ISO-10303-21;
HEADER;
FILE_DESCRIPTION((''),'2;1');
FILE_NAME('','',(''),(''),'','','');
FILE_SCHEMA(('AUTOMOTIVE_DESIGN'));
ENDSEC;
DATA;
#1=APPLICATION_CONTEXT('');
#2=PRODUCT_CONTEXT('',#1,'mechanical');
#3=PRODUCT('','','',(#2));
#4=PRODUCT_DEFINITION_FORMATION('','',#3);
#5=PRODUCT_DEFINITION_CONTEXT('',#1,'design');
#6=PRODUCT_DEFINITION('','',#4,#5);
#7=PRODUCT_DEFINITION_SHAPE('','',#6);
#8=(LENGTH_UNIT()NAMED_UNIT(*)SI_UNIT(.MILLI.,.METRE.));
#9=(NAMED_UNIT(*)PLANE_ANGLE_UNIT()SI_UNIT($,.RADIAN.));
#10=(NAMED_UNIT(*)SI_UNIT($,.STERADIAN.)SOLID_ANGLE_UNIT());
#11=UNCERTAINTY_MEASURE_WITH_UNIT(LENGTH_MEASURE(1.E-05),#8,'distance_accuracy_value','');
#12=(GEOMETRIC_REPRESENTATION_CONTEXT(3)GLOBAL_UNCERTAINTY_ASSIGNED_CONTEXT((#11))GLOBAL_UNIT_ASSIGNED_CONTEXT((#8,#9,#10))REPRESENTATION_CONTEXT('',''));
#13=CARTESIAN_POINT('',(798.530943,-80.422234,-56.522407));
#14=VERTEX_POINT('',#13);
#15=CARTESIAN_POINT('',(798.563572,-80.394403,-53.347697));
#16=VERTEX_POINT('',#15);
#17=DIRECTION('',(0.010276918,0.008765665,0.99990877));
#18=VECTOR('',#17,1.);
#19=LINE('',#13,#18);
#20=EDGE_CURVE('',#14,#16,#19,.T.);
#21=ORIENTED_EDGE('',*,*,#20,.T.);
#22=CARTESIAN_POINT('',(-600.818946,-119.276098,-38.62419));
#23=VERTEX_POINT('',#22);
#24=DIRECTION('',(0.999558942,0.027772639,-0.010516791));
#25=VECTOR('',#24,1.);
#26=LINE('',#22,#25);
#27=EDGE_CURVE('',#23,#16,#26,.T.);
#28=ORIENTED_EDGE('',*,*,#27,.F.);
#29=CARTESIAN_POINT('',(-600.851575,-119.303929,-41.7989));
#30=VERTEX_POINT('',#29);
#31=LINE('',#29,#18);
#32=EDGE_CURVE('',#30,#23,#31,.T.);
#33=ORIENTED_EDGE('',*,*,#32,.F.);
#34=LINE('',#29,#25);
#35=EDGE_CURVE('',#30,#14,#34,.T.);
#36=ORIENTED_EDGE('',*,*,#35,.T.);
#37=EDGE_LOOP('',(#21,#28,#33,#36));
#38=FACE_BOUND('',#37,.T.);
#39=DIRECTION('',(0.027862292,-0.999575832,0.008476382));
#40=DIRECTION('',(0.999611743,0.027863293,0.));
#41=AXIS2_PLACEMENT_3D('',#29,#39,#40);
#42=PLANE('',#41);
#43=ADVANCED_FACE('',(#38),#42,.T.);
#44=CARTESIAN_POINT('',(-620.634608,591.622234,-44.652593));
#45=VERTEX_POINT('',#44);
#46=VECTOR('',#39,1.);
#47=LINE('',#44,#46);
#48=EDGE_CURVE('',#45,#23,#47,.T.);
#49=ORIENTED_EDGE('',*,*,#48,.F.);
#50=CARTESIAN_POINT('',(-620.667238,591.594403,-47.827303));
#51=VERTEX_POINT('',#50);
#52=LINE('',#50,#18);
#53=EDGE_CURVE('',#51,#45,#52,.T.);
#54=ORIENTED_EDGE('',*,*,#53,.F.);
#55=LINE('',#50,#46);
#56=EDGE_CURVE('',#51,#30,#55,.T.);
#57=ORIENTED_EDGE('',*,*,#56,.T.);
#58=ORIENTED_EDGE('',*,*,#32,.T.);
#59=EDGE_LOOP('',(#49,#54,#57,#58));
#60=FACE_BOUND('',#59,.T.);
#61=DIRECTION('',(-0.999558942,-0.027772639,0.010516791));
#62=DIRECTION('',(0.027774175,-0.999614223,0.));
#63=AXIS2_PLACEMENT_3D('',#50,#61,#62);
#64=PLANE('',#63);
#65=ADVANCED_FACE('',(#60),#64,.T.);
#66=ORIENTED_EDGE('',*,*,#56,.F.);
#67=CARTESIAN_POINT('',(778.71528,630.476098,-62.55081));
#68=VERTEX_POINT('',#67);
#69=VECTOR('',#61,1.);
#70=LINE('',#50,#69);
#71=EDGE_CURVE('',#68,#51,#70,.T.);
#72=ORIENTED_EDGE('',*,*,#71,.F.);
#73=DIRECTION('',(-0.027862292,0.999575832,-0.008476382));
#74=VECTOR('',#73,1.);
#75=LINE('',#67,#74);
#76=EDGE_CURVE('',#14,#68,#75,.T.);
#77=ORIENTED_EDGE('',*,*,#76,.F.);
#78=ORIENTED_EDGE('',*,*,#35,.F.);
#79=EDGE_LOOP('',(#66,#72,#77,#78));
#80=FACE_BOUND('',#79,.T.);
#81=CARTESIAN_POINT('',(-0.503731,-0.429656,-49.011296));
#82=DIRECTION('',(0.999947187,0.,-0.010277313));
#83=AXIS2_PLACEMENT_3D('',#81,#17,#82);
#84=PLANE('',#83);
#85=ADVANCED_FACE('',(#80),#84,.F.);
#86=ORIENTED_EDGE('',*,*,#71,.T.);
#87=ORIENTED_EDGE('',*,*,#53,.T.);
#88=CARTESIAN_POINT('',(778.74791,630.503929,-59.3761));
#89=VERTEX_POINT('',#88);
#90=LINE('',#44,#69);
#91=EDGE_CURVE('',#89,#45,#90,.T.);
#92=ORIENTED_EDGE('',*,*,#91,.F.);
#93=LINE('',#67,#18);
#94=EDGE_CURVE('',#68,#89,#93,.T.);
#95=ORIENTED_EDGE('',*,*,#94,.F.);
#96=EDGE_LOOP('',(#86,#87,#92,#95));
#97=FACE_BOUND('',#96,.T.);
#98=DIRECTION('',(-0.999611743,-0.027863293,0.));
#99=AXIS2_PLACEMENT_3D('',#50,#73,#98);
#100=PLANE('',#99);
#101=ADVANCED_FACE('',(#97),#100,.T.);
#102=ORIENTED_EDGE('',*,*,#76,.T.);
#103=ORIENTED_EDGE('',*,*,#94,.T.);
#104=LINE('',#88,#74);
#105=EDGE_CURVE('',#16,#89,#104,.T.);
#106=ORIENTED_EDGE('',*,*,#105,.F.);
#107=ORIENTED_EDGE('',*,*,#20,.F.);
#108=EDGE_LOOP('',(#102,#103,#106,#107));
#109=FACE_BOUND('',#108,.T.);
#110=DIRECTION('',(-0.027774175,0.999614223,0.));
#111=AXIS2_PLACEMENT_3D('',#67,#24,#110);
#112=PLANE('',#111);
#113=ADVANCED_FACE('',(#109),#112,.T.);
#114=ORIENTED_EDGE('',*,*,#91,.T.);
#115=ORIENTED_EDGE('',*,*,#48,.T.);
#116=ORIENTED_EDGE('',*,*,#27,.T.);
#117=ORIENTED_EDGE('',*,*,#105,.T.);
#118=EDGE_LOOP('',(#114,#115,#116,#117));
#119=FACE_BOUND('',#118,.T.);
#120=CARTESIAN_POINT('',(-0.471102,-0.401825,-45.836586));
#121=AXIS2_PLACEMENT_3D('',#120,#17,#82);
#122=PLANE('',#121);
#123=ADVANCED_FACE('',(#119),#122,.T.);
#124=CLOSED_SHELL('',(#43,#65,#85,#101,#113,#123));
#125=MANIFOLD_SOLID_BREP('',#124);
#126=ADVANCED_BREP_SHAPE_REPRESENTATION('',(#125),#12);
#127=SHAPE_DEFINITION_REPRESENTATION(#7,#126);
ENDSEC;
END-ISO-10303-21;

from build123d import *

# Parameters (mm, degrees)
SKETCH1_W           = 1400
SKETCH1_H           = 711.2
BOSS_EXTRUDE1_DEPTH = 3.175


with BuildPart() as part:
    # Sketch1 → Boss-Extrude1 (new body)
    with BuildSketch(Plane(origin=(7.177147891, -2.347992502, -45.898132285), x_dir=(0.999558942, 0.027772639, -0.010516791), z_dir=(0.010276918, 0.008765665, 0.99990877))):
        with Locations((88.948167176, 255.6)):
            Rectangle(SKETCH1_W, SKETCH1_H)
    extrude(amount=-BOSS_EXTRUDE1_DEPTH)


solid = part.part
